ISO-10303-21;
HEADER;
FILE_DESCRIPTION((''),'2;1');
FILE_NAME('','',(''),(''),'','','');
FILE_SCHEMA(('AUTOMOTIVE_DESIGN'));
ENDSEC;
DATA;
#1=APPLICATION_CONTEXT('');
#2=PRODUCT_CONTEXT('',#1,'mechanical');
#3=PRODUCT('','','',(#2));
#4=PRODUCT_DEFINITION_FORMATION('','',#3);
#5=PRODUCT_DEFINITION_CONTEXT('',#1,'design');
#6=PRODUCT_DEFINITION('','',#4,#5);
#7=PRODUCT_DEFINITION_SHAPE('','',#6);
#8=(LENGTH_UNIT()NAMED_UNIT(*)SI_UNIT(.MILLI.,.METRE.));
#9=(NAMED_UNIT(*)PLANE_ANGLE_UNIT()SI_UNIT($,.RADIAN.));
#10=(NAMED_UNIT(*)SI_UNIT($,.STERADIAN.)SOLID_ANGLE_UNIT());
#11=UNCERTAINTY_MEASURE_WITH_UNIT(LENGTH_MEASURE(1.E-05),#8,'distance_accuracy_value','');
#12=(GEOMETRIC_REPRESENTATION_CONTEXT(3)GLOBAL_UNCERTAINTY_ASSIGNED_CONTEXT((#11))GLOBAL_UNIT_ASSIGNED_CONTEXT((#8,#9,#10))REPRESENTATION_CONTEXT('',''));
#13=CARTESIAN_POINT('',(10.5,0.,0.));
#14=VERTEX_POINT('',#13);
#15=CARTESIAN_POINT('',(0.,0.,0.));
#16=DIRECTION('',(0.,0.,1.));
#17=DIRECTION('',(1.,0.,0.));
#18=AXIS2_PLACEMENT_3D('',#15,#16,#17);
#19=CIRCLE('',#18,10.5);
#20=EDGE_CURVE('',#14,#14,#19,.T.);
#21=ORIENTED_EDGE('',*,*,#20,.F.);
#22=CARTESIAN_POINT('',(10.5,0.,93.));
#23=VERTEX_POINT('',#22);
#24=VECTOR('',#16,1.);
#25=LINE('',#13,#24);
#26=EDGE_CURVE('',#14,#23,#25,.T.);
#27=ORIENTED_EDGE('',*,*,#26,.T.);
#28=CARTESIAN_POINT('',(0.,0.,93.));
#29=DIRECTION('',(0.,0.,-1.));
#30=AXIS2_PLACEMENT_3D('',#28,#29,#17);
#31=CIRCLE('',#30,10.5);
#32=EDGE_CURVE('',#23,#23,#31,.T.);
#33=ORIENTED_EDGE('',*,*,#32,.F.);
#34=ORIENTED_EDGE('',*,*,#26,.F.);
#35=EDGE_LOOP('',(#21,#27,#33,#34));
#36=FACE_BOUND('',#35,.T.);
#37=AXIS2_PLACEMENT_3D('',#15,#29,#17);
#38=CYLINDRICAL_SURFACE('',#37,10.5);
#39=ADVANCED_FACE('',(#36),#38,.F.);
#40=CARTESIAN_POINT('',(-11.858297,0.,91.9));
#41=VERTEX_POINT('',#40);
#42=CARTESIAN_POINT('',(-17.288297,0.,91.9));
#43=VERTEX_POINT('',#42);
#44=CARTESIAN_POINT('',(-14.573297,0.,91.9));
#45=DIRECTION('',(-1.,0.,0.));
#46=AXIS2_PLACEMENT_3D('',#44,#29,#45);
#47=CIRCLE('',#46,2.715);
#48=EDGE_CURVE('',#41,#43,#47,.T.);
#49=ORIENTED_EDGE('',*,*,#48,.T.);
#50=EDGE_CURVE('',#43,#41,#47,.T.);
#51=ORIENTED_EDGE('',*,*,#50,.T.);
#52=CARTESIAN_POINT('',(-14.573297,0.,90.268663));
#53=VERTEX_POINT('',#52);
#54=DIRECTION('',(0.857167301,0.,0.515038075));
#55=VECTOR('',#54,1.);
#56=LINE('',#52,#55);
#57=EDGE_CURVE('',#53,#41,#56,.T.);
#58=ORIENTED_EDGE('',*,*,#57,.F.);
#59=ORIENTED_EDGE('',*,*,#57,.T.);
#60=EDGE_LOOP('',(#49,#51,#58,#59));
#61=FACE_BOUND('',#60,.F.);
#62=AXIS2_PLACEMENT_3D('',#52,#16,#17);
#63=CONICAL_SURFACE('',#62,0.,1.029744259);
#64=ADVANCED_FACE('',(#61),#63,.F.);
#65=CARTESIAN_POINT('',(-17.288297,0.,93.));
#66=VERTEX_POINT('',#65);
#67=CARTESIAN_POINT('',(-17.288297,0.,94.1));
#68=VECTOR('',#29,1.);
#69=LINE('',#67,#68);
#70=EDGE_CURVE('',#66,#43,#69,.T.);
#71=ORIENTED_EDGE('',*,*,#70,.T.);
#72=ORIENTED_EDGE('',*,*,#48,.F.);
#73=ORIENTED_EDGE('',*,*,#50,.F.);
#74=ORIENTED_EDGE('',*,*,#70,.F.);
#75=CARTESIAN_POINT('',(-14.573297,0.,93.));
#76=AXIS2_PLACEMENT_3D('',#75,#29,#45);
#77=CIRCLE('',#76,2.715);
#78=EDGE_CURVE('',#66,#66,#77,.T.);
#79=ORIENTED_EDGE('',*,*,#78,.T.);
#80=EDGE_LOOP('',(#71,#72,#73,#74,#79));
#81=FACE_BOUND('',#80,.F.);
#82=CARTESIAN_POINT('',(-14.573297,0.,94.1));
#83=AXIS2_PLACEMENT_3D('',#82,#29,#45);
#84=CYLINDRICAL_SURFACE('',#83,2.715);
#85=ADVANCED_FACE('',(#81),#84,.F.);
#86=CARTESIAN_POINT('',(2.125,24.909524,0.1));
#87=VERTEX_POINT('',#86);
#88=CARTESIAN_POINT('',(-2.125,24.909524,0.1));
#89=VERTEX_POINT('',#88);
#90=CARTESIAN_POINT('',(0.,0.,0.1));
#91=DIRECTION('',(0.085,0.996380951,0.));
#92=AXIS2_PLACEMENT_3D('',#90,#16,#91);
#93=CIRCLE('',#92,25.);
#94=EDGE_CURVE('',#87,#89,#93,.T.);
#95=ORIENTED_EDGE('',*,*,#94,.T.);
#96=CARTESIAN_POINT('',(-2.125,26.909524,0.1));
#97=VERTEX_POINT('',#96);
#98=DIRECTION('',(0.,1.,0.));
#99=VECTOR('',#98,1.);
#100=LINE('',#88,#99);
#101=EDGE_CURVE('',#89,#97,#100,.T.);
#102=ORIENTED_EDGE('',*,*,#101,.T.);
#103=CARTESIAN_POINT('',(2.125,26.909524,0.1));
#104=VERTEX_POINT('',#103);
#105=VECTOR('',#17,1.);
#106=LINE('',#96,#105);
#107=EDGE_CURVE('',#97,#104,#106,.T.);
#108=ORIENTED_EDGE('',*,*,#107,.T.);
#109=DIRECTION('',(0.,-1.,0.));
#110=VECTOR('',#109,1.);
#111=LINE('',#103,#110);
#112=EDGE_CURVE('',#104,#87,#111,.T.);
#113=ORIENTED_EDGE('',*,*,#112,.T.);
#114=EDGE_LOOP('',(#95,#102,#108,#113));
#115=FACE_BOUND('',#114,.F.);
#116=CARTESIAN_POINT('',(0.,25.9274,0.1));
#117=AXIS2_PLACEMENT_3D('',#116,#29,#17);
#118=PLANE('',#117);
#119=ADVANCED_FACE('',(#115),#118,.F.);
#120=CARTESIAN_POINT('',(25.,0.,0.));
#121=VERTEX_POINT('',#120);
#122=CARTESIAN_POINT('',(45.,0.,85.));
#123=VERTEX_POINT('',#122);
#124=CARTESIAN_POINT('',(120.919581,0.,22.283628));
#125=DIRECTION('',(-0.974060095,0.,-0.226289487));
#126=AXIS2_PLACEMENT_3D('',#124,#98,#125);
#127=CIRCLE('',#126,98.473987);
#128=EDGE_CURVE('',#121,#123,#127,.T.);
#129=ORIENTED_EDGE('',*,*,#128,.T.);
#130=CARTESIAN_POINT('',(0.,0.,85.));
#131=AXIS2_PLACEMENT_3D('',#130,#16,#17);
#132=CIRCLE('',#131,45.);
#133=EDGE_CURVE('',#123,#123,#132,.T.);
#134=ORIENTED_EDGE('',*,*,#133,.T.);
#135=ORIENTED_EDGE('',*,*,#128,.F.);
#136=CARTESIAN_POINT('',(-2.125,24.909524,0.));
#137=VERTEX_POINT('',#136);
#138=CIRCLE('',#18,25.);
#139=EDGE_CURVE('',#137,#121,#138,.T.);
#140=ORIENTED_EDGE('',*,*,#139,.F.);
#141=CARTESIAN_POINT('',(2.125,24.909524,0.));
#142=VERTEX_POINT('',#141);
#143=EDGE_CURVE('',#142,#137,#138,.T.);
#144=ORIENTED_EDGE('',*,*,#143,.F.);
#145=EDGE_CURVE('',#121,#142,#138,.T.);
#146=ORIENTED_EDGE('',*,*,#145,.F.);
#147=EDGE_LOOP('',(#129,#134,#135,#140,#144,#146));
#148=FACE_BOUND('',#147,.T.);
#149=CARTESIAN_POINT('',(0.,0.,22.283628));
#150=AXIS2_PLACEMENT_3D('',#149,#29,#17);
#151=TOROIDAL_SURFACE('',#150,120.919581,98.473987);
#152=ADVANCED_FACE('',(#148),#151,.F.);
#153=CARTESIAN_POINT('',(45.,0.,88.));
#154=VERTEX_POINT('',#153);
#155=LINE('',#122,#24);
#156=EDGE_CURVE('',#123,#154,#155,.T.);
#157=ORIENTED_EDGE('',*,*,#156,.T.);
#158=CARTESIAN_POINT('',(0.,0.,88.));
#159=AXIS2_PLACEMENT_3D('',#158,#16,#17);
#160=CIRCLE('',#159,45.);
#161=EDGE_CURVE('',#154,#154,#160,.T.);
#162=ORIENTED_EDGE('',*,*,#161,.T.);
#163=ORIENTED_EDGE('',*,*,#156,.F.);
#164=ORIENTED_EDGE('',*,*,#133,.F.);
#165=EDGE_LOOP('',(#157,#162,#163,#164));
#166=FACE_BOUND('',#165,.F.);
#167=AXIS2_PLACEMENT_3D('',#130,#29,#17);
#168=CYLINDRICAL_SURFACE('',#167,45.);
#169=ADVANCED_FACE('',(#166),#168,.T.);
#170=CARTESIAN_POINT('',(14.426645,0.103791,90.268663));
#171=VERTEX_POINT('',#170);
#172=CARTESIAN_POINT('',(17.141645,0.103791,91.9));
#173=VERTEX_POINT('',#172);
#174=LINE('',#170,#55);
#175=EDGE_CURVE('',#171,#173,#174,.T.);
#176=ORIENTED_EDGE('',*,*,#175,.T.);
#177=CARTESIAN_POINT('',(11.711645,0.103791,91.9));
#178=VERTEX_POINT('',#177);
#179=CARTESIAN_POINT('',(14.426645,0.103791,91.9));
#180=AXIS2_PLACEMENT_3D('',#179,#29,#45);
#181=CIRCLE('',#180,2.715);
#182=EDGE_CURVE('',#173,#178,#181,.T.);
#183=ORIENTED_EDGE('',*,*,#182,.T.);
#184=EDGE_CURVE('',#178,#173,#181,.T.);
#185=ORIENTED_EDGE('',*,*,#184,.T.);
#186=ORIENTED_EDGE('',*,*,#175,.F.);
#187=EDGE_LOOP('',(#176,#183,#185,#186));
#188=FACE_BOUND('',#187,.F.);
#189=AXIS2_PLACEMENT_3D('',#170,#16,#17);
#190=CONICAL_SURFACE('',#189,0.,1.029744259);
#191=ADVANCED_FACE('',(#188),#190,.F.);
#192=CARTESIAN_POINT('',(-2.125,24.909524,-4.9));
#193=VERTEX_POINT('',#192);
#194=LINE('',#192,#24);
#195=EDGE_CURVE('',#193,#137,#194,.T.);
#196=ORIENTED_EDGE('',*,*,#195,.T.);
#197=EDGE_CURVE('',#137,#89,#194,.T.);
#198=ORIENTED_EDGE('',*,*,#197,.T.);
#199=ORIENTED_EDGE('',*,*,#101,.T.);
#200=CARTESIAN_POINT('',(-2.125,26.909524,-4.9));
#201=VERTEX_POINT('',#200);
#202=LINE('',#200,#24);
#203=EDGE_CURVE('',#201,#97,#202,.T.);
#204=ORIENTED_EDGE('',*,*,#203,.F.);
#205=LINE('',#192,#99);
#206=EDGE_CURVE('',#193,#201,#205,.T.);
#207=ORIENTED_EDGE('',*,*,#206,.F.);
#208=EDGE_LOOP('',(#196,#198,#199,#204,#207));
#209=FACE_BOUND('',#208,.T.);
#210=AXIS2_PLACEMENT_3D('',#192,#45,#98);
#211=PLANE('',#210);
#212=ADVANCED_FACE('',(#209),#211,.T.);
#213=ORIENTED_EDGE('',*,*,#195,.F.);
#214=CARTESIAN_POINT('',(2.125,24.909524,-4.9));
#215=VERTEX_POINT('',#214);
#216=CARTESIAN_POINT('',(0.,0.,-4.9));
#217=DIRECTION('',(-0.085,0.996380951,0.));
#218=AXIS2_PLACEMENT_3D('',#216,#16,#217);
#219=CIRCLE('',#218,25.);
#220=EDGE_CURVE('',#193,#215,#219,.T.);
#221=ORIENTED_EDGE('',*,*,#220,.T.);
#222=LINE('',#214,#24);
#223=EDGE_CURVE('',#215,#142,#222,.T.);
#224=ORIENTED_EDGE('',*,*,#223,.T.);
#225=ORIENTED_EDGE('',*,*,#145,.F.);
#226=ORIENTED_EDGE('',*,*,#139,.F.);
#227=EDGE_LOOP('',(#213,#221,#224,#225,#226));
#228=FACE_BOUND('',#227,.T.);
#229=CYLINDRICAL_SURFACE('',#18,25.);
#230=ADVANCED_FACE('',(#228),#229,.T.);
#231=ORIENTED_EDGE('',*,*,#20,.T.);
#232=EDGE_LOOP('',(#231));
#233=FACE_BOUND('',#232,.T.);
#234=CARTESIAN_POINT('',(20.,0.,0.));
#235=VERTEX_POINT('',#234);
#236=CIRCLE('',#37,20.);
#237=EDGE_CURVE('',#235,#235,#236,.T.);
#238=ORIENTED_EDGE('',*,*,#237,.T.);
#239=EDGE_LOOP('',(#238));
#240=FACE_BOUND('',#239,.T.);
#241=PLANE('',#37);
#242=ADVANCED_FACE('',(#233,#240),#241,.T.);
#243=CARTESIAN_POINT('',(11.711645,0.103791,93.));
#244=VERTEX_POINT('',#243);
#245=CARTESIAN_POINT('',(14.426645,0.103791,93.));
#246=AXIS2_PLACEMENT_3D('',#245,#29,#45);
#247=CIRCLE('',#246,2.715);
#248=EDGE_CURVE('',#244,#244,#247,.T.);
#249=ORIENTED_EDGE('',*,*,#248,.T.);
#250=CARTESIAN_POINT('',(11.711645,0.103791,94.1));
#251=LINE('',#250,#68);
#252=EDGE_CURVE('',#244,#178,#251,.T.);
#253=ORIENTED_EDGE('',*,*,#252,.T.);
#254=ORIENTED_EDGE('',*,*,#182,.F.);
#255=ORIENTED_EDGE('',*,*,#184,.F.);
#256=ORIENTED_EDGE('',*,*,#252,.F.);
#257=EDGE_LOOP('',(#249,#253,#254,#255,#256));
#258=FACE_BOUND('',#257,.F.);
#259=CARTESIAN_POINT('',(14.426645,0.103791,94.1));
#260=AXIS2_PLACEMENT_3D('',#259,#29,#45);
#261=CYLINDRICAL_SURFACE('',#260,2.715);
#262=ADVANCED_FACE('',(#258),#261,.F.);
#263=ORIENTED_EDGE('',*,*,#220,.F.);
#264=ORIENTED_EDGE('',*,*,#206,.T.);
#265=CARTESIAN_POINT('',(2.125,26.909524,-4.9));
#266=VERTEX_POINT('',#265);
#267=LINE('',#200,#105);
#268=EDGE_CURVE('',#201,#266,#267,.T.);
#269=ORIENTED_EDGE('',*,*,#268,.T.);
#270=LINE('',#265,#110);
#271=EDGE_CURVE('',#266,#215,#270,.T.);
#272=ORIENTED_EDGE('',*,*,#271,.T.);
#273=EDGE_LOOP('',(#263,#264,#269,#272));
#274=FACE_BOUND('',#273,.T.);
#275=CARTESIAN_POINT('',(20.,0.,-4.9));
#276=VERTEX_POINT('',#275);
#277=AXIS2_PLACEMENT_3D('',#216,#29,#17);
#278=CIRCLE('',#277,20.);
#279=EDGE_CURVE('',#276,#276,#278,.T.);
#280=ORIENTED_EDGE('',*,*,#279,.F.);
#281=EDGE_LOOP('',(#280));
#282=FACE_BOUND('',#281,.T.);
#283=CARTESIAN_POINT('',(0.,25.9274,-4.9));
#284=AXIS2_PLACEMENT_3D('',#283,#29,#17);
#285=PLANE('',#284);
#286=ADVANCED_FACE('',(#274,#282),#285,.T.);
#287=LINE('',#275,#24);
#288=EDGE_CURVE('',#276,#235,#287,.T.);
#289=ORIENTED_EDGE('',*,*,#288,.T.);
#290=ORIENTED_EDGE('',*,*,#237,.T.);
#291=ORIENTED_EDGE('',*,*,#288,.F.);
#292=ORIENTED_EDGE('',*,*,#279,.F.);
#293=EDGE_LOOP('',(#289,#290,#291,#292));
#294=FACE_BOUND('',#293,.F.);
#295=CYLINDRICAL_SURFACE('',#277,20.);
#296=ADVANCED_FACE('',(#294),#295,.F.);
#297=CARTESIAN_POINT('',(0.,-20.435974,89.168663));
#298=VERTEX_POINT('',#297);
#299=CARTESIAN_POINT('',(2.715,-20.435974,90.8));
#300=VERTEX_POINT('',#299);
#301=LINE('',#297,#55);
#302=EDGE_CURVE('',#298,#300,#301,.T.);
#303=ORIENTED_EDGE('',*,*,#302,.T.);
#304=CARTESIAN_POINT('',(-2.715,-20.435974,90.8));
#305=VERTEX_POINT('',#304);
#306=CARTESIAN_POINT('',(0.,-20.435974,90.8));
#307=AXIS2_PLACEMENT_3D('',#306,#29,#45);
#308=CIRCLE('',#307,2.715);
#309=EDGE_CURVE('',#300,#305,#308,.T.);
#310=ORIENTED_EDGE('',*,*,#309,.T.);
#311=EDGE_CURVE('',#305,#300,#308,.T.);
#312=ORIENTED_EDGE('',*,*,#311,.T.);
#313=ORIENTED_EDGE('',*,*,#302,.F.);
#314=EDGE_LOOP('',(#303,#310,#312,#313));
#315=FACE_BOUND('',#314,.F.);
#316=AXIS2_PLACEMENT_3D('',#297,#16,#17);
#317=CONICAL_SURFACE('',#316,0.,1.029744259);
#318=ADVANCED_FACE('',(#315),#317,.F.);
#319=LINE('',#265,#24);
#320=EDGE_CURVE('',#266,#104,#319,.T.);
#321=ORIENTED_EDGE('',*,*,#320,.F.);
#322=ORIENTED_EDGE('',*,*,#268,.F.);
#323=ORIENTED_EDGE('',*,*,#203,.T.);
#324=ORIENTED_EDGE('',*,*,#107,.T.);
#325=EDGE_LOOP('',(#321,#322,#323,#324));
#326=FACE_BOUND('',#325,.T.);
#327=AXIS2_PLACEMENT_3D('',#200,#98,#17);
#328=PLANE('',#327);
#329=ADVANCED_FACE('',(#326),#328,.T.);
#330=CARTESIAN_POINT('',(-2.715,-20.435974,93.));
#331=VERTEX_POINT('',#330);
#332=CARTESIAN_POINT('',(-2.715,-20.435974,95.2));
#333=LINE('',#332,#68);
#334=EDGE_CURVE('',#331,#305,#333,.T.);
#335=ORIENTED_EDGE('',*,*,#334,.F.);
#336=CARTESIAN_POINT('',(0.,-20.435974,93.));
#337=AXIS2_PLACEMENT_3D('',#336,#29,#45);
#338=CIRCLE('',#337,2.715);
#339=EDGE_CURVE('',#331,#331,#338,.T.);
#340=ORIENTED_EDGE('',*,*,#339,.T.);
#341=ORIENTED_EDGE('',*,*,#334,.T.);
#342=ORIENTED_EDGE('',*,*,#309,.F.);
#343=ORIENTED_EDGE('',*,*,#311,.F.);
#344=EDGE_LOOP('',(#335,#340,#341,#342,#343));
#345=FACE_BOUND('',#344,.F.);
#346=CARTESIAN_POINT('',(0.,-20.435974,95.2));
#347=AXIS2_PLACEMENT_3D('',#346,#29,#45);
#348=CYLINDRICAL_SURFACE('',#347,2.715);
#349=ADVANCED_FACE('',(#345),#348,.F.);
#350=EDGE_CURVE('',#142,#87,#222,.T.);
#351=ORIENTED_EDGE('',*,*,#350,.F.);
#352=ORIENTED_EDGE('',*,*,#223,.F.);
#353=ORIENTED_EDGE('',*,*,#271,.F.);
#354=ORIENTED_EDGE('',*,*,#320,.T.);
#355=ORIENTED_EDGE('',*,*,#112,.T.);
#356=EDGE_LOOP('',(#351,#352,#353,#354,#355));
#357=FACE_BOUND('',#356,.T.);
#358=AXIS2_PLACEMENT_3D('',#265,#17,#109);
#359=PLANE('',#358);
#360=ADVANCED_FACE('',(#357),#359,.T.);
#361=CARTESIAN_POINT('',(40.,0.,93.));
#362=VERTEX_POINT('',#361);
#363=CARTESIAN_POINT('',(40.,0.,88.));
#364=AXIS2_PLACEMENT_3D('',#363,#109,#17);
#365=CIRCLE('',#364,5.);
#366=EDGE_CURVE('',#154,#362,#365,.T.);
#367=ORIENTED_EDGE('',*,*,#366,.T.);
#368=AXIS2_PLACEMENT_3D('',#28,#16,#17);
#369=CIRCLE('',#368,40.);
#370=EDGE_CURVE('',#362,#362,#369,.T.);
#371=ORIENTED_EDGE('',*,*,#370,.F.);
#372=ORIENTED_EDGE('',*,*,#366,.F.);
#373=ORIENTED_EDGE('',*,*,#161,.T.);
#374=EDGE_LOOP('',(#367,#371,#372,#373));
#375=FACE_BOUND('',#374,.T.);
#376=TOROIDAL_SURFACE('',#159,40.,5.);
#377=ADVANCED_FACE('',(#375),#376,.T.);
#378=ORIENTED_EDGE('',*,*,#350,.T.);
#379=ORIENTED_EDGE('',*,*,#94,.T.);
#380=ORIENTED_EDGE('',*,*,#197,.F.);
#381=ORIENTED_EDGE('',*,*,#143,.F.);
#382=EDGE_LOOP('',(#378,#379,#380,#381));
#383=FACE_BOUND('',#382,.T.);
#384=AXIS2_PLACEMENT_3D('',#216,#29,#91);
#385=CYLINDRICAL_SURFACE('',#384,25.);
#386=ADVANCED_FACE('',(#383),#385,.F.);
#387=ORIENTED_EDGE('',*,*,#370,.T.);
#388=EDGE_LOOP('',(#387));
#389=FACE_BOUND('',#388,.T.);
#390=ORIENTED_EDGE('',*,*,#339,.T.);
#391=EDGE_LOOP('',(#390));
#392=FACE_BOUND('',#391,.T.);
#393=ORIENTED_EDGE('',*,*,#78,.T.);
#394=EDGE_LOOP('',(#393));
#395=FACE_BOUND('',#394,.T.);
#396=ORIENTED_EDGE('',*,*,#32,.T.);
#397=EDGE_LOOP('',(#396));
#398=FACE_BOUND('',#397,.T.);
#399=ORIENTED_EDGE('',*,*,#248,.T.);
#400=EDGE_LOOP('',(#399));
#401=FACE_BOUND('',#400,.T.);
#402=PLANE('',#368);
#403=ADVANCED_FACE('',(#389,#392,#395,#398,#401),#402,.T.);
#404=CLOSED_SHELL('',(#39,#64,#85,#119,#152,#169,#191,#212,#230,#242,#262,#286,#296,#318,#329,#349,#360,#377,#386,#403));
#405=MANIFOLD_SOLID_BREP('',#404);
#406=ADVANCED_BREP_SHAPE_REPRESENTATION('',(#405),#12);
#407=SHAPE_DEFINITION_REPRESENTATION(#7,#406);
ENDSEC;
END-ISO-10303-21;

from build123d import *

# Parameters (mm, degrees)
F3_DEPTH  = 4.9
F4_R      = 20
F4_R_2    = 4
F5_DEPTH  = 4.9
F6_DEPTH  = 8
F7_R      = 5
F9_D      = 5.43
F9_DEPTH  = 1.1
F9_TIP    = 1.6313365807
F10_D     = 5.43
F10_DEPTH = 2.2
F10_TIP   = 1.6313365807
F11_R     = 10.5
F12_DEPTH = 100
F14_DEPTH = 5


with BuildPart() as f2:
    # F0 (on Front) → F2 (revolve)
    with BuildSketch(Plane.XZ):
        with BuildLine():
            Line((4, 0), (25, 0))
            ThreePointArc((25, 0), (25.0633115181, 44.8380443487), (45, 85))
            Line((45, 85), (10, 85))
            ThreePointArc((10, 85), (5.5209994492, 72.8549601322), (4, 60))
            Line((4, 60), (4, 0))
        make_face()
    revolve(axis=Axis((0, 0, 25.1682717353), (0, 0, 1)))

    # F3 (add): a face of the model
    f3_faces = [f2.faces().sort_by_distance(p)[0] for p in [
        (-4.7071067812, 0, 0),
    ]]
    extrude(f3_faces, amount=F3_DEPTH)

    # F4 (on face) → F5 (cut)
    with BuildSketch(Plane(origin=(0, 0, -4.9), x_dir=(1, 0, 0), z_dir=(0, 0, -1))):
        Circle(F4_R)
        Circle(F4_R_2, mode=Mode.SUBTRACT)
    extrude(amount=-F5_DEPTH, mode=Mode.SUBTRACT)

    # F6 (add): a face of the model
    f6_faces = [f2.faces().sort_by_distance(p)[0] for p in [
        (-43.7272077939, 0, 85),
    ]]
    extrude(f6_faces, amount=F6_DEPTH)

    # F7
    f7_edges = [f2.edges().sort_by_distance(p)[0] for p in [
        (-45, 0, 93),
    ]]
    fillet(f7_edges, radius=F7_R)

    # F9
    with Locations(Plane.XY.offset(93)):
        with Locations((14.426644952, 0.1037907432), (-14.573297048, 0)):
            Hole(F9_D / 2, depth=F9_DEPTH)
            with Locations((0, 0, -(F9_DEPTH + F9_TIP / 2))):  # 118° drill point
                Cone(0, F9_D / 2, F9_TIP, mode=Mode.SUBTRACT)

    # F10
    with Locations(Plane.XY.offset(93)):
        with Locations((0, -20.4359735063)):
            Hole(F10_D / 2, depth=F10_DEPTH)
            with Locations((0, 0, -(F10_DEPTH + F10_TIP / 2))):  # 118° drill point
                Cone(0, F10_D / 2, F10_TIP, mode=Mode.SUBTRACT)

    # F11 (on Top) → F12 (cut)
    with BuildSketch(Plane.XY):
        Circle(F11_R)
    extrude(amount=F12_DEPTH, mode=Mode.SUBTRACT)

    # F13 (on face) → F14 (join)
    with BuildSketch(Plane(origin=(0, 0, -4.9), x_dir=(1, 0, 0), z_dir=(0, 0, -1))):
        with BuildLine():
            ThreePointArc((2.125, -24.9095237811), (0, -25), (-2.125, -24.9095237811))
            Line((-2.125, -24.9095237811), (-2.125, -26.9095237811))
            Line((-2.125, -26.9095237811), (2.125, -26.9095237811))
            Line((2.125, -26.9095237811), (2.125, -24.9095237811))
        make_face()
    extrude(amount=-F14_DEPTH)


solid = f2.part
